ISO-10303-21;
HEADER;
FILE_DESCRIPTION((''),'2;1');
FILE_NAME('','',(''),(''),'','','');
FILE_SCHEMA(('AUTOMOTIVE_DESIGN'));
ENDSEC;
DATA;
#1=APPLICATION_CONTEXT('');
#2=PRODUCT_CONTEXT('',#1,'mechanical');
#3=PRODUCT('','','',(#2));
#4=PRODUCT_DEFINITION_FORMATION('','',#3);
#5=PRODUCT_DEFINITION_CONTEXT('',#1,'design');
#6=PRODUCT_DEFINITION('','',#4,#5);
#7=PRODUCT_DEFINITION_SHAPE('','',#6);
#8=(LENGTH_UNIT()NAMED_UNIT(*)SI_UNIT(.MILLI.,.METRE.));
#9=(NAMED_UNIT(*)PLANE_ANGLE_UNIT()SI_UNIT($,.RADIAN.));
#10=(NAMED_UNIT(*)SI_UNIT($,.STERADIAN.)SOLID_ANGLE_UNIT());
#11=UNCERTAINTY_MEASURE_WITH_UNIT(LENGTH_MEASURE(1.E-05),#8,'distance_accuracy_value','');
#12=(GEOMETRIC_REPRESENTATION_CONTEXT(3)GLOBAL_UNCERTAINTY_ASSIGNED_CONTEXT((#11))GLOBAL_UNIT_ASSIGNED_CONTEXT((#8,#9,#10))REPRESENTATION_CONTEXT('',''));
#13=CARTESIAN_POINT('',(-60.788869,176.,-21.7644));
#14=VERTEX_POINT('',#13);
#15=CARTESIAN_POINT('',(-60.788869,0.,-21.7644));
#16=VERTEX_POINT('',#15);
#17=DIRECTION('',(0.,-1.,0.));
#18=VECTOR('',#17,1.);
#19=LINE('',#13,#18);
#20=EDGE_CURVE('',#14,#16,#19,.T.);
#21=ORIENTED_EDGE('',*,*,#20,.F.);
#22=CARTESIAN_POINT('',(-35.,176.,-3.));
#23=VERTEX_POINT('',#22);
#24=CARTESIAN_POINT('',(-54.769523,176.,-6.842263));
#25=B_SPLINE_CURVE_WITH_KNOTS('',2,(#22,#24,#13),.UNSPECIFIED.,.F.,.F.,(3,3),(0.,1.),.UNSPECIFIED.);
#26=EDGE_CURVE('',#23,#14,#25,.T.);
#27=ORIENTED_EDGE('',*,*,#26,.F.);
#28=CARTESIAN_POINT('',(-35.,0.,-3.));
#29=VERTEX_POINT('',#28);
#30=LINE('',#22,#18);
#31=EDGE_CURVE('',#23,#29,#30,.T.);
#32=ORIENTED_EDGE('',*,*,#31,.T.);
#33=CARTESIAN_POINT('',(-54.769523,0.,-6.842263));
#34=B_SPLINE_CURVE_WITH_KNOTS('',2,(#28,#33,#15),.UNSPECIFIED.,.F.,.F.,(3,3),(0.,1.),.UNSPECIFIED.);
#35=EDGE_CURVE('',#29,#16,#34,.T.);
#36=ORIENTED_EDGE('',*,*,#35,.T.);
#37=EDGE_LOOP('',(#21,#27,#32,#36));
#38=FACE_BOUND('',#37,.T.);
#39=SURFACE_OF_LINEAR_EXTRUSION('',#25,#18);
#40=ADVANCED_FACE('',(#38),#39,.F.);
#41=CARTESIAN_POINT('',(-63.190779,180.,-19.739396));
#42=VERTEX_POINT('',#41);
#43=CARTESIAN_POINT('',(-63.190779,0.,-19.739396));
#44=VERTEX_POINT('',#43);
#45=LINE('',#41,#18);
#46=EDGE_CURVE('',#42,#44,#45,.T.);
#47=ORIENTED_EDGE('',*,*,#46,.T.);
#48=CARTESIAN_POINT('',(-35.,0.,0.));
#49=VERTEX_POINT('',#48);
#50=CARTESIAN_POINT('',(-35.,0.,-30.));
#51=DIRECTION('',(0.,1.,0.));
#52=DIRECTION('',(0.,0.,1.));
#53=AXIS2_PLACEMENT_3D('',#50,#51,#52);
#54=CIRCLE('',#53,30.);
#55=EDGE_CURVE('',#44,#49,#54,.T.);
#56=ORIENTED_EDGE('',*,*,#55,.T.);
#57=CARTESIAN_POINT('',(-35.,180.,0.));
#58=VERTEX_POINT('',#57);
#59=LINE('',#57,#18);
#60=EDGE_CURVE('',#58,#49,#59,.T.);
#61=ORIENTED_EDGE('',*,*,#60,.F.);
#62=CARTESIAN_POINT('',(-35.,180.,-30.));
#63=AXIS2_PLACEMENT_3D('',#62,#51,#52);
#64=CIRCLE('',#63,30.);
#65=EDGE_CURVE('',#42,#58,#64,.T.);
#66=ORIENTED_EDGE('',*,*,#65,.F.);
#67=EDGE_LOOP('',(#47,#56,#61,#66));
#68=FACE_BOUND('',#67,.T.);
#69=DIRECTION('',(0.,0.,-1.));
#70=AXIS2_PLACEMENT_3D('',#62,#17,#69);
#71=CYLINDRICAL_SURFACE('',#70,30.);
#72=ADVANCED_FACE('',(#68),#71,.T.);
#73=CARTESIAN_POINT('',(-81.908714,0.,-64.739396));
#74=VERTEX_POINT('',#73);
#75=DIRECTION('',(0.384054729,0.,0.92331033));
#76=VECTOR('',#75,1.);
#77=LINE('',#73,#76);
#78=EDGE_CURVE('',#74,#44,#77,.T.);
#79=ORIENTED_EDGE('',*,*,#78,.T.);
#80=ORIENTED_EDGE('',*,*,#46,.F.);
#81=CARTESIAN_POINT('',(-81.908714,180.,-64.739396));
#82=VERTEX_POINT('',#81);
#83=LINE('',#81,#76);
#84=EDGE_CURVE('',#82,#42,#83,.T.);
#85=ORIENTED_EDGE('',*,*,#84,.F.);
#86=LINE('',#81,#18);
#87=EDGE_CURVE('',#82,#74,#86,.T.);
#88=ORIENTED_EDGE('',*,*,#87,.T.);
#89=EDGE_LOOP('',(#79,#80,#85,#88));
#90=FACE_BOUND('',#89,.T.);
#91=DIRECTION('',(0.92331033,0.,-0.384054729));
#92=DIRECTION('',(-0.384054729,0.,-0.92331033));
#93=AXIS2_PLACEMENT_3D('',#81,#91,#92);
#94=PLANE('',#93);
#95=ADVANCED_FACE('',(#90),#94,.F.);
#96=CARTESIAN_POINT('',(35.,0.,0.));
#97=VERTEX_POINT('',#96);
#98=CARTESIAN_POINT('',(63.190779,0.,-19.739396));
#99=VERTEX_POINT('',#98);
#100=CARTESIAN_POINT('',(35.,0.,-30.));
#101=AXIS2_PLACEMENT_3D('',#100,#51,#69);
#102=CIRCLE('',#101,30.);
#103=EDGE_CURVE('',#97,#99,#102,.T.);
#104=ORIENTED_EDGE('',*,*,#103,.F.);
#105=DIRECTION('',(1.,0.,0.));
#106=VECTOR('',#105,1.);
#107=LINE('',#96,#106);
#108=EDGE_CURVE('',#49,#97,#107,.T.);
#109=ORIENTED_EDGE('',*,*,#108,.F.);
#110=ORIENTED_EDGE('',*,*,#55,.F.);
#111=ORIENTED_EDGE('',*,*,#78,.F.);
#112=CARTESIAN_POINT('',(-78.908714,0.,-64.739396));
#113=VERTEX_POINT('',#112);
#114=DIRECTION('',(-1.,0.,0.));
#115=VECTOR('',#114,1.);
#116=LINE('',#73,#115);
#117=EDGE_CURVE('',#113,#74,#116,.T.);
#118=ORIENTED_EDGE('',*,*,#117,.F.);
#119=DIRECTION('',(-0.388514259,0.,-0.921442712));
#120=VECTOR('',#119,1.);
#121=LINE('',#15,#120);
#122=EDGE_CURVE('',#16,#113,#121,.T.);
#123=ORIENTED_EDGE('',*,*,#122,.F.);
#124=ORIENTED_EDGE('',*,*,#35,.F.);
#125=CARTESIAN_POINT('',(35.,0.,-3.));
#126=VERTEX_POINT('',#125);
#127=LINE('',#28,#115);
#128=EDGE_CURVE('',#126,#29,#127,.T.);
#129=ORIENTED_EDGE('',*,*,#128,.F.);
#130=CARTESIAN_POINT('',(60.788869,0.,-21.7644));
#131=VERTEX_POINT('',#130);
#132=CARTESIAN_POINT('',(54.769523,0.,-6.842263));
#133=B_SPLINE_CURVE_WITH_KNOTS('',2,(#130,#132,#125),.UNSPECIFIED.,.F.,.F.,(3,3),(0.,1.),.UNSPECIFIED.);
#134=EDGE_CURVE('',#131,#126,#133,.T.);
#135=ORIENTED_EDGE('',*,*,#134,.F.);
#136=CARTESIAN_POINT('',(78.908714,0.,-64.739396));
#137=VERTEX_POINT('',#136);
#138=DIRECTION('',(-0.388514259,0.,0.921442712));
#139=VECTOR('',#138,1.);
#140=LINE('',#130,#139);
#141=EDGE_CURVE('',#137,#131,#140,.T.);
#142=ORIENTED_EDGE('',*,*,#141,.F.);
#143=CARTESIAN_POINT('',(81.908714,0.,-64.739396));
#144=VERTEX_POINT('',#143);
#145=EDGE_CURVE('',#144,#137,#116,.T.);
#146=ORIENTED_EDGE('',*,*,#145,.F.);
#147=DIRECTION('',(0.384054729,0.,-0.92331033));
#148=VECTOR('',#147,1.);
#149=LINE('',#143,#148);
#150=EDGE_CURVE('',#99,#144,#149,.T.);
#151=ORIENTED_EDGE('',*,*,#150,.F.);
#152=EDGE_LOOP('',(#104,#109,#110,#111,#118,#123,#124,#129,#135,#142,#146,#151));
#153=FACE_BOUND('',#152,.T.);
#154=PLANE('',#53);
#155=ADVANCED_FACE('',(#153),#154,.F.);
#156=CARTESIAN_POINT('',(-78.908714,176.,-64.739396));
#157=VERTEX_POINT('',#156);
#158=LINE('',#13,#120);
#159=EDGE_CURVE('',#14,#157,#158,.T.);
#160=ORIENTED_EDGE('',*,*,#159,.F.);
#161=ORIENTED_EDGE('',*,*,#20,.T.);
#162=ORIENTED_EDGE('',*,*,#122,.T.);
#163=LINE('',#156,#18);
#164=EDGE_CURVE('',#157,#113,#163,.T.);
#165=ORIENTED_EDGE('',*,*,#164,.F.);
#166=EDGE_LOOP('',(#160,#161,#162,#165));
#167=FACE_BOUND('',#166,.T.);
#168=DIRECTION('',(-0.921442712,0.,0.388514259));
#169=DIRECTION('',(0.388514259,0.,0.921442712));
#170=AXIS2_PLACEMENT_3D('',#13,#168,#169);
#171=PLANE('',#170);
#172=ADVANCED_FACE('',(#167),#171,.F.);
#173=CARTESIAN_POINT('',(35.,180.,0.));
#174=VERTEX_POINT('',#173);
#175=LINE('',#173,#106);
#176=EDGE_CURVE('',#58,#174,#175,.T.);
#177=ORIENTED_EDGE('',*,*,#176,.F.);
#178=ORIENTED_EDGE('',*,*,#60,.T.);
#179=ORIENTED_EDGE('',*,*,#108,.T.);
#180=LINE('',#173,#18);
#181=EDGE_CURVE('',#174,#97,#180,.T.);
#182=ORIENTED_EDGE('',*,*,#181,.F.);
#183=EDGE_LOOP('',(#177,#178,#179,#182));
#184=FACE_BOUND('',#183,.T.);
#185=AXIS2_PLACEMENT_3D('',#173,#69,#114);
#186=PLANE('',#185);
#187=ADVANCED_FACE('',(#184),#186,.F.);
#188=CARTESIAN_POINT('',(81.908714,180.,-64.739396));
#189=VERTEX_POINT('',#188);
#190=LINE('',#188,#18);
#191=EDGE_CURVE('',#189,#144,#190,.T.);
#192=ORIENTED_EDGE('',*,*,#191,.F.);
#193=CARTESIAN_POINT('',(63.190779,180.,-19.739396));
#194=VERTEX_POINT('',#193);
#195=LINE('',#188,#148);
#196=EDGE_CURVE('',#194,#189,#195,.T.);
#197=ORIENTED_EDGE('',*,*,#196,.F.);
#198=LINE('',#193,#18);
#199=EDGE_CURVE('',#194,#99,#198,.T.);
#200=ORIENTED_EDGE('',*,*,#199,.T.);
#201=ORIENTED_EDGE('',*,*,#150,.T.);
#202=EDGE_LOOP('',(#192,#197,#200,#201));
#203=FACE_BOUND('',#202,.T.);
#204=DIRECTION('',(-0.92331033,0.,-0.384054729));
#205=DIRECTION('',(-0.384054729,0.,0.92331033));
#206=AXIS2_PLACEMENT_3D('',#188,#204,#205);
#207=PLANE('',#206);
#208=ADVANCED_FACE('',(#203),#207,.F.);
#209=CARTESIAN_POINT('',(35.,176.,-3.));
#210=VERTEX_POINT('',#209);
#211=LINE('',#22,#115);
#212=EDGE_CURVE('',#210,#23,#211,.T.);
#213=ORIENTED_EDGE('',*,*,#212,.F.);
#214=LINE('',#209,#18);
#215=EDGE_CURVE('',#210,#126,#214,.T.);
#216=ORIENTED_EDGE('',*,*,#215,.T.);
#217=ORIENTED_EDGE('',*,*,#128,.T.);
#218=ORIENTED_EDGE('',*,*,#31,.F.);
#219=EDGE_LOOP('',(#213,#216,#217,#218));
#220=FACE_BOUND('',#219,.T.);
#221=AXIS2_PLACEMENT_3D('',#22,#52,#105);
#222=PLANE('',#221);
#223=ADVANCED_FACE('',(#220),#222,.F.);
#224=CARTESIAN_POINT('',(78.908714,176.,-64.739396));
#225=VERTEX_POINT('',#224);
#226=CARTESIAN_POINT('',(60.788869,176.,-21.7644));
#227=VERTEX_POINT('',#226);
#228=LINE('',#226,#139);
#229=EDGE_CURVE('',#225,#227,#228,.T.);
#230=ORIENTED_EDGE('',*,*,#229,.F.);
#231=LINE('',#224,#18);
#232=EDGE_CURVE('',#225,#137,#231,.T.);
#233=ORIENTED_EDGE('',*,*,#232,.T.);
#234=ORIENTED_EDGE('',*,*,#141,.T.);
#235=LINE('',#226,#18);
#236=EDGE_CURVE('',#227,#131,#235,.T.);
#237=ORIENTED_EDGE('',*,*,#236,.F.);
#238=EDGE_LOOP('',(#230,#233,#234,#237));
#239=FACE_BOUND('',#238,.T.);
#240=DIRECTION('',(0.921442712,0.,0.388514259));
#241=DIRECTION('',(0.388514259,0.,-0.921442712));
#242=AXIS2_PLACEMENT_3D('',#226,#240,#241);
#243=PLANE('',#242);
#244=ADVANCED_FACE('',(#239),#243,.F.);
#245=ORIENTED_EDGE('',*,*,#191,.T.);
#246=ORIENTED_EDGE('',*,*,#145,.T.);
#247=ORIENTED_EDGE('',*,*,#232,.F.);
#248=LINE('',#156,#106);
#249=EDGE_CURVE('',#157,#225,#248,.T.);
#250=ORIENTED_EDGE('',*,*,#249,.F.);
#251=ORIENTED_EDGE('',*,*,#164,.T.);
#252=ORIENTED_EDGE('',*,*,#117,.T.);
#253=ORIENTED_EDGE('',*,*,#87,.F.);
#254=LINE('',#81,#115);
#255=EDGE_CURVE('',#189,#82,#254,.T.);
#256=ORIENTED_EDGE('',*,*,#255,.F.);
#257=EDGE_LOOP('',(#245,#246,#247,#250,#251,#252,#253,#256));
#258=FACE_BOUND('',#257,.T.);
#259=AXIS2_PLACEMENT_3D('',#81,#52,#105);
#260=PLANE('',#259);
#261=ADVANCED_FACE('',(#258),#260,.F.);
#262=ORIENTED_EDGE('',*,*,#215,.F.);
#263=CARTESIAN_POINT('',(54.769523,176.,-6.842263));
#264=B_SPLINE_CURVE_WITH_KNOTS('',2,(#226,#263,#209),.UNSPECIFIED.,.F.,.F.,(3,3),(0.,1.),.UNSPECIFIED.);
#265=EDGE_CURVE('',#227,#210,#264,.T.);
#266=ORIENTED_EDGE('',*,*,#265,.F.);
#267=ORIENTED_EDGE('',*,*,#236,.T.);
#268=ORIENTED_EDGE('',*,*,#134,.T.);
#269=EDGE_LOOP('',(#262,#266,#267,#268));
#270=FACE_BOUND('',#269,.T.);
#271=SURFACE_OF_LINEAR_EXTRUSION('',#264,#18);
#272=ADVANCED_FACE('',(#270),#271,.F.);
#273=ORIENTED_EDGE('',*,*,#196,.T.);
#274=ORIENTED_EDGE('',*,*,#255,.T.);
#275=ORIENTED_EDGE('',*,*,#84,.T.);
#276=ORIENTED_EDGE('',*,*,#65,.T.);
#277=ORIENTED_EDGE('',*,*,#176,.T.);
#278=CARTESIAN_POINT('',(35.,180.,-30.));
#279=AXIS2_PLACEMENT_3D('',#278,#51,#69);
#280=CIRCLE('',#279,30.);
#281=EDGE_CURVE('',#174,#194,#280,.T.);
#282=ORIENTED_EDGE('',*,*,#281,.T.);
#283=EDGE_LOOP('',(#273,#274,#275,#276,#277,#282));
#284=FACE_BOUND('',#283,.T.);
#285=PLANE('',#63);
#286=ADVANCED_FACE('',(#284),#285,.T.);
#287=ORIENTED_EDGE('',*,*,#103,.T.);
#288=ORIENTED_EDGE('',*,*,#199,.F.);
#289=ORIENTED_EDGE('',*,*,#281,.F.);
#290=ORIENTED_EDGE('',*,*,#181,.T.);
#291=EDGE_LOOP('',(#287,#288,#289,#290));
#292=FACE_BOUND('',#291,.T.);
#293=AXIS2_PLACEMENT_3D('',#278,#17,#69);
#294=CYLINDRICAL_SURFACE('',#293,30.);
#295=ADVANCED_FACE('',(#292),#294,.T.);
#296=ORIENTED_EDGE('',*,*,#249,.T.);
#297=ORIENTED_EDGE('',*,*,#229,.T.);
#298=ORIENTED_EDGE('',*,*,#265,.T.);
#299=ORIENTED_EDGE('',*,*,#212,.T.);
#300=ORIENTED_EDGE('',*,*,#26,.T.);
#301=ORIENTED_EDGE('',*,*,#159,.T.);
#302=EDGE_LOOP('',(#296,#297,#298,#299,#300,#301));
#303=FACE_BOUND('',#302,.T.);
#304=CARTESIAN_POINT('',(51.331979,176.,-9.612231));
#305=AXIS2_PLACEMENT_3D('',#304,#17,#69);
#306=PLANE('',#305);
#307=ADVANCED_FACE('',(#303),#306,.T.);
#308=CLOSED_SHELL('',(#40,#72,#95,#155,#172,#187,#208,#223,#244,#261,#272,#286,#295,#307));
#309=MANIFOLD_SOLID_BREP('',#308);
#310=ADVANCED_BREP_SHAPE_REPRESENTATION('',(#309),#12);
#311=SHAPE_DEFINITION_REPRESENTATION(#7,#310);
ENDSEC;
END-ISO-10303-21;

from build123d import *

# Parameters (mm, degrees)
BOSS_EXTRUDE1_DEPTH = 180
CUT_EXTRUDE1_DEPTH  = 176


with BuildPart() as part:
    # Sketch1 → Boss-Extrude1 (new body)
    with BuildSketch(Plane(origin=(0, 0, 0), x_dir=(1, 0, 0), z_dir=(0, 1, 0))):
        with BuildLine():
            Line((35, 0), (-35, 0))
            ThreePointArc((-35, 0), (-52.207293091, 5.425438671), (-63.190778624, 19.7393957))
            Line((-63.190778624, 19.7393957), (-81.908713693, 64.7393957))
            Line((-81.908713693, 64.7393957), (81.908713693, 64.7393957))
            Line((81.908713693, 64.7393957), (63.190778624, 19.7393957))
            ThreePointArc((63.190778624, 19.7393957), (52.207293091, 5.425438671), (35, 0))
        make_face()
    extrude(amount=BOSS_EXTRUDE1_DEPTH)

    # Sketch4 → Cut-Extrude1 (cut)
    with BuildSketch(Plane.XZ):
        with BuildLine():
            Line((-78.908713693, -64.7393957), (78.908713693, -64.7393957))
            Line((78.908713693, -64.7393957), (60.788869437, -21.764400459))
            add(Edge.make_bspline(
                [(35, -3), (54.769523096, -6.842262635), (60.788869437, -21.764400459)],
                knots=[0, 0, 0, 1, 1, 1], degree=2))
            Line((35, -3), (-35, -3))
            add(Edge.make_bspline(
                [(-35, -3), (-54.769523096, -6.842262635), (-60.788869437, -21.764400459)],
                knots=[0, 0, 0, 1, 1, 1], degree=2))
            Line((-60.788869437, -21.764400459), (-78.908713693, -64.7393957))
        make_face()
    extrude(amount=-CUT_EXTRUDE1_DEPTH, mode=Mode.SUBTRACT)


solid = part.part
